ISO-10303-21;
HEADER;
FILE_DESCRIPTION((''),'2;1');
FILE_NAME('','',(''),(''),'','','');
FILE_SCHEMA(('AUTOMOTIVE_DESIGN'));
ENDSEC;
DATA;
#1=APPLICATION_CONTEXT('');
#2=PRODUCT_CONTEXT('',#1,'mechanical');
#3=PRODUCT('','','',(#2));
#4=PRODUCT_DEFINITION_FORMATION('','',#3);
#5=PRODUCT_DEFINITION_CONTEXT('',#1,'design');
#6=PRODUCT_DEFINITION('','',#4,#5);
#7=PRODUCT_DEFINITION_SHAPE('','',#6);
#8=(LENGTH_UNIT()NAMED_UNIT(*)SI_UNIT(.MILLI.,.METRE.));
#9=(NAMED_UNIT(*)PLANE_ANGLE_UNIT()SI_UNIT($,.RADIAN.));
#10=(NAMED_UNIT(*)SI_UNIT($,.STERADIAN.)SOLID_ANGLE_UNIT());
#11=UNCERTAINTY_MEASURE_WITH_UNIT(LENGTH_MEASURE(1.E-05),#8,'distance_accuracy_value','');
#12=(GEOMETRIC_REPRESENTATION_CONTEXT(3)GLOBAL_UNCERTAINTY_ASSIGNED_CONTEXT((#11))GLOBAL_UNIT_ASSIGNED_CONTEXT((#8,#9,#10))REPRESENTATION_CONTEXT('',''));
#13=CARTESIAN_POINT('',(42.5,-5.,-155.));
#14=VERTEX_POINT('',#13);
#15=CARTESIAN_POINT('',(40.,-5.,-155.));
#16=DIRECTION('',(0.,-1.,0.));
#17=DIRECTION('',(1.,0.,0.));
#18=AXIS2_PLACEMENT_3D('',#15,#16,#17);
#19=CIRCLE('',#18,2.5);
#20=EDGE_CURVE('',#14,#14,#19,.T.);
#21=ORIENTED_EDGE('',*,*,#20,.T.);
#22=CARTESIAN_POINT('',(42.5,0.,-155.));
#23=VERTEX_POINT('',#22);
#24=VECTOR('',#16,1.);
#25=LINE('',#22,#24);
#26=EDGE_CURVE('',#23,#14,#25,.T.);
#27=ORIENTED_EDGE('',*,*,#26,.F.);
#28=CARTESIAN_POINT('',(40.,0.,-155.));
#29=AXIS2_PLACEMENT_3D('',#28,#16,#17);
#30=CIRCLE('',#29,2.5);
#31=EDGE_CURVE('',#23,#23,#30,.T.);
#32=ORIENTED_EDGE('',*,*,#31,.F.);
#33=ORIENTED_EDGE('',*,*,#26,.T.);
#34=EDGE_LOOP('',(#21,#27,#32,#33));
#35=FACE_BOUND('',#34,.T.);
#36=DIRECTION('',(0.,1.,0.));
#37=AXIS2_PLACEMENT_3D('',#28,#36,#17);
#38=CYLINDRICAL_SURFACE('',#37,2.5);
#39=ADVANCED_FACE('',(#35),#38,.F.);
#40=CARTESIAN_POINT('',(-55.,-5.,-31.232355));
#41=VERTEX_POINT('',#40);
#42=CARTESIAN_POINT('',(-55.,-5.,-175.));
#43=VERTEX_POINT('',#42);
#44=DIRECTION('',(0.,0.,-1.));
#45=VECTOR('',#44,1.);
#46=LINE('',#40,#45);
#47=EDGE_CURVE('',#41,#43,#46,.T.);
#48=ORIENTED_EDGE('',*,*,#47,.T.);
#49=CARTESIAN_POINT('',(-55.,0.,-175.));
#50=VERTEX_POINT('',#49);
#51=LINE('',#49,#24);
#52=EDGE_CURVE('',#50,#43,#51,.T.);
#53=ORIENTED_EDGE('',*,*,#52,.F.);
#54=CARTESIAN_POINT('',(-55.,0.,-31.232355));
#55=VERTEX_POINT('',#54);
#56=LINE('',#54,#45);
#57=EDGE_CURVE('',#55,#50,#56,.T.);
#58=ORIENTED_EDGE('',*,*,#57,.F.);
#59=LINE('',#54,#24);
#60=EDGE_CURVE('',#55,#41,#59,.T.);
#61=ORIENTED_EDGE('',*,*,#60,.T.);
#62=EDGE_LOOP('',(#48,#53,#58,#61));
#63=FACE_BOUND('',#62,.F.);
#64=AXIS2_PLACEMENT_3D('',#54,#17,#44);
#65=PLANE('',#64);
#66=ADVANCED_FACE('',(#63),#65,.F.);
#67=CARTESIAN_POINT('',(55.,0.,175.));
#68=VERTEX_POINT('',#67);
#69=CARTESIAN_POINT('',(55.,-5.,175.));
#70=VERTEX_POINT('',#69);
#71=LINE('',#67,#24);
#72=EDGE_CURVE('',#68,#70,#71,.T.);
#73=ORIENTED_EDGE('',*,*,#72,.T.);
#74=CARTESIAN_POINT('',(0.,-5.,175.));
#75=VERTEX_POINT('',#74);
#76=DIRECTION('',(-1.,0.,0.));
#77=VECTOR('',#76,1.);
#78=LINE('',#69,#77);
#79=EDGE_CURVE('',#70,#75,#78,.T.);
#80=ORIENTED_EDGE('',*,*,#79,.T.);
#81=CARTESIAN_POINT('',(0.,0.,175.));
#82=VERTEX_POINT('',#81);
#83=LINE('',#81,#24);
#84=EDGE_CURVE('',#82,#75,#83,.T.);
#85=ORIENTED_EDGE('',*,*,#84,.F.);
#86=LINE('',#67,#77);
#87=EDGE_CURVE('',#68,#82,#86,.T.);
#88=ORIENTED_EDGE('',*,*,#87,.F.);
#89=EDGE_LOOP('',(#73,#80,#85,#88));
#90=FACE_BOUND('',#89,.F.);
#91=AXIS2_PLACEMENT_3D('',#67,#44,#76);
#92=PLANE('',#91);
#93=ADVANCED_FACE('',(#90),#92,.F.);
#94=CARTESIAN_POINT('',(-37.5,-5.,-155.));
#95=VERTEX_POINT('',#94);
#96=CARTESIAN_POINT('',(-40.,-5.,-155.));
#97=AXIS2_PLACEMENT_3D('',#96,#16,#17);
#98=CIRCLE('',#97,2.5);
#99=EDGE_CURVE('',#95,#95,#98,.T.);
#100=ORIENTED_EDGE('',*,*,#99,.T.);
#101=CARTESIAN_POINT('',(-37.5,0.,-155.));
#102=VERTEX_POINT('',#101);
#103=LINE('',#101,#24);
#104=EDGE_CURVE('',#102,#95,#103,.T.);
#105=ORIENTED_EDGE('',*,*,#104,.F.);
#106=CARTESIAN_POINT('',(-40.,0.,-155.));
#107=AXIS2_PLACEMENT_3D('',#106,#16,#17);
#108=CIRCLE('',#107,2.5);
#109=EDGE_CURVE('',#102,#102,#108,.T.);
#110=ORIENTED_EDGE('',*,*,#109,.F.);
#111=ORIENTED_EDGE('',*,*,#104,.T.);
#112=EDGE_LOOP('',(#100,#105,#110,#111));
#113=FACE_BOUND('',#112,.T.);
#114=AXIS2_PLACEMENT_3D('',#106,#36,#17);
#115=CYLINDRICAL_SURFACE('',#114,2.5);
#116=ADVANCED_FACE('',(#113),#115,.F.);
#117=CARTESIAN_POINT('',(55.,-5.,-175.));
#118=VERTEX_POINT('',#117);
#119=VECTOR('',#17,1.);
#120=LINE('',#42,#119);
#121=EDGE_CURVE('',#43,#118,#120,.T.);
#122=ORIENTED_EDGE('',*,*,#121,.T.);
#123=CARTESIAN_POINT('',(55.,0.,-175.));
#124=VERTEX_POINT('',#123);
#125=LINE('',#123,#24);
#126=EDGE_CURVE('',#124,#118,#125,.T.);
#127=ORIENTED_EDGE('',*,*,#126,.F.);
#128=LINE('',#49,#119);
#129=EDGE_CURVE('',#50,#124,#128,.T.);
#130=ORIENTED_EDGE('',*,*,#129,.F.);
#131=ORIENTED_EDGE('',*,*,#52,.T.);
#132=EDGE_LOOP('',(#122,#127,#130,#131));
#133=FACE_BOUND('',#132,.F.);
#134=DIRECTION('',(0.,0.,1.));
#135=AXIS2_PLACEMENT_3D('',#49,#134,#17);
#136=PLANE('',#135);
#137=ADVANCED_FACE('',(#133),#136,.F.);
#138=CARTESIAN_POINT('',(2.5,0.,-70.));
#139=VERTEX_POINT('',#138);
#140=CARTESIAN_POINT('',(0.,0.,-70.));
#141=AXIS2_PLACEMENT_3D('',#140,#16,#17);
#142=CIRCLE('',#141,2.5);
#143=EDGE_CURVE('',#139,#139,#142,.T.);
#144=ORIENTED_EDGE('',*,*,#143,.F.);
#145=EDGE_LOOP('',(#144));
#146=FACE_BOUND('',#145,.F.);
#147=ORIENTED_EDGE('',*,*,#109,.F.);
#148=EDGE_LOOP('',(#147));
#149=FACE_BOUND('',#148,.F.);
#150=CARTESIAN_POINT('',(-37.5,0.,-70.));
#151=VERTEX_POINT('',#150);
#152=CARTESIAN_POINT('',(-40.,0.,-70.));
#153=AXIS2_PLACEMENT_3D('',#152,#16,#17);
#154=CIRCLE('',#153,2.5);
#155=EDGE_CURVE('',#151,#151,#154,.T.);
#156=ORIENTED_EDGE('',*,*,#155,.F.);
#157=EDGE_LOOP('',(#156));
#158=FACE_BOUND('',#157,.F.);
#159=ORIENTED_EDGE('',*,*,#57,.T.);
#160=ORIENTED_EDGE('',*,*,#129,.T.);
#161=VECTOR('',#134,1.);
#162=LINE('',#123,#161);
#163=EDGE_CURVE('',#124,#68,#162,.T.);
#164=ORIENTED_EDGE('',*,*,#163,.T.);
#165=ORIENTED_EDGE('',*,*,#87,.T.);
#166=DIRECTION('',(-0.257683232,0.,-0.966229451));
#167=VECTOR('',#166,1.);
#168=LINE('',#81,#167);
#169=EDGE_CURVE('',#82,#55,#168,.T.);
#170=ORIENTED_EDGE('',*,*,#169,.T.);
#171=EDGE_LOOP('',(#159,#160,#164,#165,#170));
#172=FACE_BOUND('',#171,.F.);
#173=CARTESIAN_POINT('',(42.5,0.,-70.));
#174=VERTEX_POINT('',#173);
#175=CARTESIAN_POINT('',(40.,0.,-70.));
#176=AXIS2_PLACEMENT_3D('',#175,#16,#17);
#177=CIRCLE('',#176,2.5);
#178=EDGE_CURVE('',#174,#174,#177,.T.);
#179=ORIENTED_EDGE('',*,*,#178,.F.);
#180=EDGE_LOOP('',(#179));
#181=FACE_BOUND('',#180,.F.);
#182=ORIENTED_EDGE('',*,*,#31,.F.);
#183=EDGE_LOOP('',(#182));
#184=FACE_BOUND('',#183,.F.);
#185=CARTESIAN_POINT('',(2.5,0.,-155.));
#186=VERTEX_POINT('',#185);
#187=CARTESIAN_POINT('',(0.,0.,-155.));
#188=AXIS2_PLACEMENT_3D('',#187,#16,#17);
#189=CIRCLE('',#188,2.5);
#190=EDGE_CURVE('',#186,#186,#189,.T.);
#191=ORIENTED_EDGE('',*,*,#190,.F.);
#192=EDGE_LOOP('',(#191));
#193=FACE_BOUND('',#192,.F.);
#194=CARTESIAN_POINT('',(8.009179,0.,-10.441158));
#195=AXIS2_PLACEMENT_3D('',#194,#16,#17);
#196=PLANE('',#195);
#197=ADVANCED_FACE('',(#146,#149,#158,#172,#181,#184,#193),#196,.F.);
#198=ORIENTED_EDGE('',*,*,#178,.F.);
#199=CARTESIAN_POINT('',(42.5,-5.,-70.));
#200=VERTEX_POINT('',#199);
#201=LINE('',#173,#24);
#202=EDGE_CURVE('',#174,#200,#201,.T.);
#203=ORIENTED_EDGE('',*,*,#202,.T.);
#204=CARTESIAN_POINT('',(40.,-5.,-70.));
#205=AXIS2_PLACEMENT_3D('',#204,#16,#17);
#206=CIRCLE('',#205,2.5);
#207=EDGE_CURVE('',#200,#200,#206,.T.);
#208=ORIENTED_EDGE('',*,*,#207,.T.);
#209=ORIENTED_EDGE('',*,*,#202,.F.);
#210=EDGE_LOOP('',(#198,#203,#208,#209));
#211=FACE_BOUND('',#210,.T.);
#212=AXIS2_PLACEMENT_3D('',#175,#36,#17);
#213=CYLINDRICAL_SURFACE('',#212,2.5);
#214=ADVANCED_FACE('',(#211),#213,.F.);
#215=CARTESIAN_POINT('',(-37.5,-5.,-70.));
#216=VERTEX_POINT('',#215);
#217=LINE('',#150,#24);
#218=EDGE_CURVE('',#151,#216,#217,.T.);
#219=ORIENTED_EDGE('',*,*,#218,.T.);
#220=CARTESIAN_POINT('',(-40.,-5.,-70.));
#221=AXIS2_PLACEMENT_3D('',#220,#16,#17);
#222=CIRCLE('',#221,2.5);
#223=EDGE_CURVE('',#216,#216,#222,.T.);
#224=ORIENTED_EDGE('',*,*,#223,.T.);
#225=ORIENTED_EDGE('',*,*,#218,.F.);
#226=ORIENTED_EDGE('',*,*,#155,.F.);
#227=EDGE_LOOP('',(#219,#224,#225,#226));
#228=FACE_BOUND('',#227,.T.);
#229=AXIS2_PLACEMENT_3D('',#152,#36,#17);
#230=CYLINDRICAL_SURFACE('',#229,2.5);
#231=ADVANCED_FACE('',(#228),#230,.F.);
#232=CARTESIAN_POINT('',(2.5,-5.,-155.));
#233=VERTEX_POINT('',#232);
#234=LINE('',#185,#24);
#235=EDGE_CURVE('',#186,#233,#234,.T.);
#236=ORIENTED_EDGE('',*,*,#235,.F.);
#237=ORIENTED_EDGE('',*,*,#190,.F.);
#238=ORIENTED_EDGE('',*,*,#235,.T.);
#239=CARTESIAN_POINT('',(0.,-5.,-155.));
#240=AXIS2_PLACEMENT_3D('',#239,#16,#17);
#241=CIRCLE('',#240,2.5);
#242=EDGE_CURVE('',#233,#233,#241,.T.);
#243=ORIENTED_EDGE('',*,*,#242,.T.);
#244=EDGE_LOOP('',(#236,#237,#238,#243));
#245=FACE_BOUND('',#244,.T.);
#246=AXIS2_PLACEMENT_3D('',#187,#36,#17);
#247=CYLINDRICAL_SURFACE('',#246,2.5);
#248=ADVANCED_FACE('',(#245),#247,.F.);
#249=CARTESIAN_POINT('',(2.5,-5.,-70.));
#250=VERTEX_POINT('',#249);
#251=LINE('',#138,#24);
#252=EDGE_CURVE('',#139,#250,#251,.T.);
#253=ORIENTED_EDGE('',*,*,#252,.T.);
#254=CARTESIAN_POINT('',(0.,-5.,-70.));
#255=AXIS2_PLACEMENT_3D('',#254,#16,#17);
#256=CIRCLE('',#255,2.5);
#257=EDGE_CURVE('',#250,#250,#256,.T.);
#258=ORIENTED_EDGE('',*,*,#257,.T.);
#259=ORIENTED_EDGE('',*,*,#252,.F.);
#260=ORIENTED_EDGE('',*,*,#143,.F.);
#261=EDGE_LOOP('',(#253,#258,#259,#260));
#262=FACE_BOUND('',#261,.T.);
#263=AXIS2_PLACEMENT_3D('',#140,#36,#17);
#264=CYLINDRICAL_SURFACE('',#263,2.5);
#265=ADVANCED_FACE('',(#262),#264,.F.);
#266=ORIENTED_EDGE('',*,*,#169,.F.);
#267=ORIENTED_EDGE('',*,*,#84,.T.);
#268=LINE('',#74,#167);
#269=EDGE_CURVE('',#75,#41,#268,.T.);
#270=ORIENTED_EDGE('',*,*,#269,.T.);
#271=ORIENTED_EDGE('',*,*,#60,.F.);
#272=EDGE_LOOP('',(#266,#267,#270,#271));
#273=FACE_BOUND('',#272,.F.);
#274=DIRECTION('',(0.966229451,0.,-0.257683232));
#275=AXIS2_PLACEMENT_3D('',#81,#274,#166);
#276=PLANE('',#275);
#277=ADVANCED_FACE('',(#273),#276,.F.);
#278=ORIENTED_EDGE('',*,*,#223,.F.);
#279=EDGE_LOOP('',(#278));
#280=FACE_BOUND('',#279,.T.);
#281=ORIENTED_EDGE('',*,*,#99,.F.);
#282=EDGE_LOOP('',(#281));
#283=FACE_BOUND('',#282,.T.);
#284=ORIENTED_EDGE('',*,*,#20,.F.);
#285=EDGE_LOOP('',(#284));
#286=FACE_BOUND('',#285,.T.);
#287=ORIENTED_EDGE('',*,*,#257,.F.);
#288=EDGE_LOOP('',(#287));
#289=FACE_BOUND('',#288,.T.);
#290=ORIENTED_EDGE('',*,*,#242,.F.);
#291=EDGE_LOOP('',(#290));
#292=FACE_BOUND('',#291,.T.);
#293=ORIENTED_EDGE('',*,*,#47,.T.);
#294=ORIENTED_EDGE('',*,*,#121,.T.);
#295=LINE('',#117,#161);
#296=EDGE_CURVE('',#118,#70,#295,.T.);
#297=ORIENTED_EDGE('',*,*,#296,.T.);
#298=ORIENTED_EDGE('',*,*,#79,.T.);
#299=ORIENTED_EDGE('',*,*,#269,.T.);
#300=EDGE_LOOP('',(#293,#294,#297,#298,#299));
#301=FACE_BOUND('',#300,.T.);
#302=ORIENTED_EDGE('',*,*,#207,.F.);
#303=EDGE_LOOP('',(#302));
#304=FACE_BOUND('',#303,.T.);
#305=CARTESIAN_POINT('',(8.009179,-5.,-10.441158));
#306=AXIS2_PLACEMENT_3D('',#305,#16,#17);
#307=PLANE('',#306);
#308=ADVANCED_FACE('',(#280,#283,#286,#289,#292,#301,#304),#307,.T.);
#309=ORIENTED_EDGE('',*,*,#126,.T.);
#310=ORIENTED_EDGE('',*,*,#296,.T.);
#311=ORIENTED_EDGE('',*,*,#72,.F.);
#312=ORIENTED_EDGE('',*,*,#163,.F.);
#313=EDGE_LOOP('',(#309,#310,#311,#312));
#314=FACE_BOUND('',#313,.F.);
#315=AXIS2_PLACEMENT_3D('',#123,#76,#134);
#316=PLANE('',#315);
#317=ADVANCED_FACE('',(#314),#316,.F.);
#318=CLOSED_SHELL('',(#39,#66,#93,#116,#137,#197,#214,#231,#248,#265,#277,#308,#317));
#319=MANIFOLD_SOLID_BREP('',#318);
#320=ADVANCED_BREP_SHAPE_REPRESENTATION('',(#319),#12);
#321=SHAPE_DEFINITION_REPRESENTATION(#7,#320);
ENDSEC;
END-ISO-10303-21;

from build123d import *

# Parameters (mm, degrees)
F0_R     = 2.5
F1_DEPTH = 5


with BuildPart() as f1:
    # F0 (on Front) → F1 (new body)
    with BuildSketch(Plane.XZ):
        Polygon((-55, -175), (55, -175), (55, 175), (0, 175), (-55, -31.232355), align=None)
        with Locations((-40, -155)):
            Circle(F0_R, mode=Mode.SUBTRACT)
        with Locations((-40, -70)):
            Circle(F0_R, mode=Mode.SUBTRACT)
        with Locations((0, -155)):
            Circle(F0_R, mode=Mode.SUBTRACT)
        with Locations((40, -155)):
            Circle(F0_R, mode=Mode.SUBTRACT)
        with Locations((0, -70)):
            Circle(F0_R, mode=Mode.SUBTRACT)
        with Locations((40, -70)):
            Circle(F0_R, mode=Mode.SUBTRACT)
    extrude(amount=F1_DEPTH)


solid = f1.part
